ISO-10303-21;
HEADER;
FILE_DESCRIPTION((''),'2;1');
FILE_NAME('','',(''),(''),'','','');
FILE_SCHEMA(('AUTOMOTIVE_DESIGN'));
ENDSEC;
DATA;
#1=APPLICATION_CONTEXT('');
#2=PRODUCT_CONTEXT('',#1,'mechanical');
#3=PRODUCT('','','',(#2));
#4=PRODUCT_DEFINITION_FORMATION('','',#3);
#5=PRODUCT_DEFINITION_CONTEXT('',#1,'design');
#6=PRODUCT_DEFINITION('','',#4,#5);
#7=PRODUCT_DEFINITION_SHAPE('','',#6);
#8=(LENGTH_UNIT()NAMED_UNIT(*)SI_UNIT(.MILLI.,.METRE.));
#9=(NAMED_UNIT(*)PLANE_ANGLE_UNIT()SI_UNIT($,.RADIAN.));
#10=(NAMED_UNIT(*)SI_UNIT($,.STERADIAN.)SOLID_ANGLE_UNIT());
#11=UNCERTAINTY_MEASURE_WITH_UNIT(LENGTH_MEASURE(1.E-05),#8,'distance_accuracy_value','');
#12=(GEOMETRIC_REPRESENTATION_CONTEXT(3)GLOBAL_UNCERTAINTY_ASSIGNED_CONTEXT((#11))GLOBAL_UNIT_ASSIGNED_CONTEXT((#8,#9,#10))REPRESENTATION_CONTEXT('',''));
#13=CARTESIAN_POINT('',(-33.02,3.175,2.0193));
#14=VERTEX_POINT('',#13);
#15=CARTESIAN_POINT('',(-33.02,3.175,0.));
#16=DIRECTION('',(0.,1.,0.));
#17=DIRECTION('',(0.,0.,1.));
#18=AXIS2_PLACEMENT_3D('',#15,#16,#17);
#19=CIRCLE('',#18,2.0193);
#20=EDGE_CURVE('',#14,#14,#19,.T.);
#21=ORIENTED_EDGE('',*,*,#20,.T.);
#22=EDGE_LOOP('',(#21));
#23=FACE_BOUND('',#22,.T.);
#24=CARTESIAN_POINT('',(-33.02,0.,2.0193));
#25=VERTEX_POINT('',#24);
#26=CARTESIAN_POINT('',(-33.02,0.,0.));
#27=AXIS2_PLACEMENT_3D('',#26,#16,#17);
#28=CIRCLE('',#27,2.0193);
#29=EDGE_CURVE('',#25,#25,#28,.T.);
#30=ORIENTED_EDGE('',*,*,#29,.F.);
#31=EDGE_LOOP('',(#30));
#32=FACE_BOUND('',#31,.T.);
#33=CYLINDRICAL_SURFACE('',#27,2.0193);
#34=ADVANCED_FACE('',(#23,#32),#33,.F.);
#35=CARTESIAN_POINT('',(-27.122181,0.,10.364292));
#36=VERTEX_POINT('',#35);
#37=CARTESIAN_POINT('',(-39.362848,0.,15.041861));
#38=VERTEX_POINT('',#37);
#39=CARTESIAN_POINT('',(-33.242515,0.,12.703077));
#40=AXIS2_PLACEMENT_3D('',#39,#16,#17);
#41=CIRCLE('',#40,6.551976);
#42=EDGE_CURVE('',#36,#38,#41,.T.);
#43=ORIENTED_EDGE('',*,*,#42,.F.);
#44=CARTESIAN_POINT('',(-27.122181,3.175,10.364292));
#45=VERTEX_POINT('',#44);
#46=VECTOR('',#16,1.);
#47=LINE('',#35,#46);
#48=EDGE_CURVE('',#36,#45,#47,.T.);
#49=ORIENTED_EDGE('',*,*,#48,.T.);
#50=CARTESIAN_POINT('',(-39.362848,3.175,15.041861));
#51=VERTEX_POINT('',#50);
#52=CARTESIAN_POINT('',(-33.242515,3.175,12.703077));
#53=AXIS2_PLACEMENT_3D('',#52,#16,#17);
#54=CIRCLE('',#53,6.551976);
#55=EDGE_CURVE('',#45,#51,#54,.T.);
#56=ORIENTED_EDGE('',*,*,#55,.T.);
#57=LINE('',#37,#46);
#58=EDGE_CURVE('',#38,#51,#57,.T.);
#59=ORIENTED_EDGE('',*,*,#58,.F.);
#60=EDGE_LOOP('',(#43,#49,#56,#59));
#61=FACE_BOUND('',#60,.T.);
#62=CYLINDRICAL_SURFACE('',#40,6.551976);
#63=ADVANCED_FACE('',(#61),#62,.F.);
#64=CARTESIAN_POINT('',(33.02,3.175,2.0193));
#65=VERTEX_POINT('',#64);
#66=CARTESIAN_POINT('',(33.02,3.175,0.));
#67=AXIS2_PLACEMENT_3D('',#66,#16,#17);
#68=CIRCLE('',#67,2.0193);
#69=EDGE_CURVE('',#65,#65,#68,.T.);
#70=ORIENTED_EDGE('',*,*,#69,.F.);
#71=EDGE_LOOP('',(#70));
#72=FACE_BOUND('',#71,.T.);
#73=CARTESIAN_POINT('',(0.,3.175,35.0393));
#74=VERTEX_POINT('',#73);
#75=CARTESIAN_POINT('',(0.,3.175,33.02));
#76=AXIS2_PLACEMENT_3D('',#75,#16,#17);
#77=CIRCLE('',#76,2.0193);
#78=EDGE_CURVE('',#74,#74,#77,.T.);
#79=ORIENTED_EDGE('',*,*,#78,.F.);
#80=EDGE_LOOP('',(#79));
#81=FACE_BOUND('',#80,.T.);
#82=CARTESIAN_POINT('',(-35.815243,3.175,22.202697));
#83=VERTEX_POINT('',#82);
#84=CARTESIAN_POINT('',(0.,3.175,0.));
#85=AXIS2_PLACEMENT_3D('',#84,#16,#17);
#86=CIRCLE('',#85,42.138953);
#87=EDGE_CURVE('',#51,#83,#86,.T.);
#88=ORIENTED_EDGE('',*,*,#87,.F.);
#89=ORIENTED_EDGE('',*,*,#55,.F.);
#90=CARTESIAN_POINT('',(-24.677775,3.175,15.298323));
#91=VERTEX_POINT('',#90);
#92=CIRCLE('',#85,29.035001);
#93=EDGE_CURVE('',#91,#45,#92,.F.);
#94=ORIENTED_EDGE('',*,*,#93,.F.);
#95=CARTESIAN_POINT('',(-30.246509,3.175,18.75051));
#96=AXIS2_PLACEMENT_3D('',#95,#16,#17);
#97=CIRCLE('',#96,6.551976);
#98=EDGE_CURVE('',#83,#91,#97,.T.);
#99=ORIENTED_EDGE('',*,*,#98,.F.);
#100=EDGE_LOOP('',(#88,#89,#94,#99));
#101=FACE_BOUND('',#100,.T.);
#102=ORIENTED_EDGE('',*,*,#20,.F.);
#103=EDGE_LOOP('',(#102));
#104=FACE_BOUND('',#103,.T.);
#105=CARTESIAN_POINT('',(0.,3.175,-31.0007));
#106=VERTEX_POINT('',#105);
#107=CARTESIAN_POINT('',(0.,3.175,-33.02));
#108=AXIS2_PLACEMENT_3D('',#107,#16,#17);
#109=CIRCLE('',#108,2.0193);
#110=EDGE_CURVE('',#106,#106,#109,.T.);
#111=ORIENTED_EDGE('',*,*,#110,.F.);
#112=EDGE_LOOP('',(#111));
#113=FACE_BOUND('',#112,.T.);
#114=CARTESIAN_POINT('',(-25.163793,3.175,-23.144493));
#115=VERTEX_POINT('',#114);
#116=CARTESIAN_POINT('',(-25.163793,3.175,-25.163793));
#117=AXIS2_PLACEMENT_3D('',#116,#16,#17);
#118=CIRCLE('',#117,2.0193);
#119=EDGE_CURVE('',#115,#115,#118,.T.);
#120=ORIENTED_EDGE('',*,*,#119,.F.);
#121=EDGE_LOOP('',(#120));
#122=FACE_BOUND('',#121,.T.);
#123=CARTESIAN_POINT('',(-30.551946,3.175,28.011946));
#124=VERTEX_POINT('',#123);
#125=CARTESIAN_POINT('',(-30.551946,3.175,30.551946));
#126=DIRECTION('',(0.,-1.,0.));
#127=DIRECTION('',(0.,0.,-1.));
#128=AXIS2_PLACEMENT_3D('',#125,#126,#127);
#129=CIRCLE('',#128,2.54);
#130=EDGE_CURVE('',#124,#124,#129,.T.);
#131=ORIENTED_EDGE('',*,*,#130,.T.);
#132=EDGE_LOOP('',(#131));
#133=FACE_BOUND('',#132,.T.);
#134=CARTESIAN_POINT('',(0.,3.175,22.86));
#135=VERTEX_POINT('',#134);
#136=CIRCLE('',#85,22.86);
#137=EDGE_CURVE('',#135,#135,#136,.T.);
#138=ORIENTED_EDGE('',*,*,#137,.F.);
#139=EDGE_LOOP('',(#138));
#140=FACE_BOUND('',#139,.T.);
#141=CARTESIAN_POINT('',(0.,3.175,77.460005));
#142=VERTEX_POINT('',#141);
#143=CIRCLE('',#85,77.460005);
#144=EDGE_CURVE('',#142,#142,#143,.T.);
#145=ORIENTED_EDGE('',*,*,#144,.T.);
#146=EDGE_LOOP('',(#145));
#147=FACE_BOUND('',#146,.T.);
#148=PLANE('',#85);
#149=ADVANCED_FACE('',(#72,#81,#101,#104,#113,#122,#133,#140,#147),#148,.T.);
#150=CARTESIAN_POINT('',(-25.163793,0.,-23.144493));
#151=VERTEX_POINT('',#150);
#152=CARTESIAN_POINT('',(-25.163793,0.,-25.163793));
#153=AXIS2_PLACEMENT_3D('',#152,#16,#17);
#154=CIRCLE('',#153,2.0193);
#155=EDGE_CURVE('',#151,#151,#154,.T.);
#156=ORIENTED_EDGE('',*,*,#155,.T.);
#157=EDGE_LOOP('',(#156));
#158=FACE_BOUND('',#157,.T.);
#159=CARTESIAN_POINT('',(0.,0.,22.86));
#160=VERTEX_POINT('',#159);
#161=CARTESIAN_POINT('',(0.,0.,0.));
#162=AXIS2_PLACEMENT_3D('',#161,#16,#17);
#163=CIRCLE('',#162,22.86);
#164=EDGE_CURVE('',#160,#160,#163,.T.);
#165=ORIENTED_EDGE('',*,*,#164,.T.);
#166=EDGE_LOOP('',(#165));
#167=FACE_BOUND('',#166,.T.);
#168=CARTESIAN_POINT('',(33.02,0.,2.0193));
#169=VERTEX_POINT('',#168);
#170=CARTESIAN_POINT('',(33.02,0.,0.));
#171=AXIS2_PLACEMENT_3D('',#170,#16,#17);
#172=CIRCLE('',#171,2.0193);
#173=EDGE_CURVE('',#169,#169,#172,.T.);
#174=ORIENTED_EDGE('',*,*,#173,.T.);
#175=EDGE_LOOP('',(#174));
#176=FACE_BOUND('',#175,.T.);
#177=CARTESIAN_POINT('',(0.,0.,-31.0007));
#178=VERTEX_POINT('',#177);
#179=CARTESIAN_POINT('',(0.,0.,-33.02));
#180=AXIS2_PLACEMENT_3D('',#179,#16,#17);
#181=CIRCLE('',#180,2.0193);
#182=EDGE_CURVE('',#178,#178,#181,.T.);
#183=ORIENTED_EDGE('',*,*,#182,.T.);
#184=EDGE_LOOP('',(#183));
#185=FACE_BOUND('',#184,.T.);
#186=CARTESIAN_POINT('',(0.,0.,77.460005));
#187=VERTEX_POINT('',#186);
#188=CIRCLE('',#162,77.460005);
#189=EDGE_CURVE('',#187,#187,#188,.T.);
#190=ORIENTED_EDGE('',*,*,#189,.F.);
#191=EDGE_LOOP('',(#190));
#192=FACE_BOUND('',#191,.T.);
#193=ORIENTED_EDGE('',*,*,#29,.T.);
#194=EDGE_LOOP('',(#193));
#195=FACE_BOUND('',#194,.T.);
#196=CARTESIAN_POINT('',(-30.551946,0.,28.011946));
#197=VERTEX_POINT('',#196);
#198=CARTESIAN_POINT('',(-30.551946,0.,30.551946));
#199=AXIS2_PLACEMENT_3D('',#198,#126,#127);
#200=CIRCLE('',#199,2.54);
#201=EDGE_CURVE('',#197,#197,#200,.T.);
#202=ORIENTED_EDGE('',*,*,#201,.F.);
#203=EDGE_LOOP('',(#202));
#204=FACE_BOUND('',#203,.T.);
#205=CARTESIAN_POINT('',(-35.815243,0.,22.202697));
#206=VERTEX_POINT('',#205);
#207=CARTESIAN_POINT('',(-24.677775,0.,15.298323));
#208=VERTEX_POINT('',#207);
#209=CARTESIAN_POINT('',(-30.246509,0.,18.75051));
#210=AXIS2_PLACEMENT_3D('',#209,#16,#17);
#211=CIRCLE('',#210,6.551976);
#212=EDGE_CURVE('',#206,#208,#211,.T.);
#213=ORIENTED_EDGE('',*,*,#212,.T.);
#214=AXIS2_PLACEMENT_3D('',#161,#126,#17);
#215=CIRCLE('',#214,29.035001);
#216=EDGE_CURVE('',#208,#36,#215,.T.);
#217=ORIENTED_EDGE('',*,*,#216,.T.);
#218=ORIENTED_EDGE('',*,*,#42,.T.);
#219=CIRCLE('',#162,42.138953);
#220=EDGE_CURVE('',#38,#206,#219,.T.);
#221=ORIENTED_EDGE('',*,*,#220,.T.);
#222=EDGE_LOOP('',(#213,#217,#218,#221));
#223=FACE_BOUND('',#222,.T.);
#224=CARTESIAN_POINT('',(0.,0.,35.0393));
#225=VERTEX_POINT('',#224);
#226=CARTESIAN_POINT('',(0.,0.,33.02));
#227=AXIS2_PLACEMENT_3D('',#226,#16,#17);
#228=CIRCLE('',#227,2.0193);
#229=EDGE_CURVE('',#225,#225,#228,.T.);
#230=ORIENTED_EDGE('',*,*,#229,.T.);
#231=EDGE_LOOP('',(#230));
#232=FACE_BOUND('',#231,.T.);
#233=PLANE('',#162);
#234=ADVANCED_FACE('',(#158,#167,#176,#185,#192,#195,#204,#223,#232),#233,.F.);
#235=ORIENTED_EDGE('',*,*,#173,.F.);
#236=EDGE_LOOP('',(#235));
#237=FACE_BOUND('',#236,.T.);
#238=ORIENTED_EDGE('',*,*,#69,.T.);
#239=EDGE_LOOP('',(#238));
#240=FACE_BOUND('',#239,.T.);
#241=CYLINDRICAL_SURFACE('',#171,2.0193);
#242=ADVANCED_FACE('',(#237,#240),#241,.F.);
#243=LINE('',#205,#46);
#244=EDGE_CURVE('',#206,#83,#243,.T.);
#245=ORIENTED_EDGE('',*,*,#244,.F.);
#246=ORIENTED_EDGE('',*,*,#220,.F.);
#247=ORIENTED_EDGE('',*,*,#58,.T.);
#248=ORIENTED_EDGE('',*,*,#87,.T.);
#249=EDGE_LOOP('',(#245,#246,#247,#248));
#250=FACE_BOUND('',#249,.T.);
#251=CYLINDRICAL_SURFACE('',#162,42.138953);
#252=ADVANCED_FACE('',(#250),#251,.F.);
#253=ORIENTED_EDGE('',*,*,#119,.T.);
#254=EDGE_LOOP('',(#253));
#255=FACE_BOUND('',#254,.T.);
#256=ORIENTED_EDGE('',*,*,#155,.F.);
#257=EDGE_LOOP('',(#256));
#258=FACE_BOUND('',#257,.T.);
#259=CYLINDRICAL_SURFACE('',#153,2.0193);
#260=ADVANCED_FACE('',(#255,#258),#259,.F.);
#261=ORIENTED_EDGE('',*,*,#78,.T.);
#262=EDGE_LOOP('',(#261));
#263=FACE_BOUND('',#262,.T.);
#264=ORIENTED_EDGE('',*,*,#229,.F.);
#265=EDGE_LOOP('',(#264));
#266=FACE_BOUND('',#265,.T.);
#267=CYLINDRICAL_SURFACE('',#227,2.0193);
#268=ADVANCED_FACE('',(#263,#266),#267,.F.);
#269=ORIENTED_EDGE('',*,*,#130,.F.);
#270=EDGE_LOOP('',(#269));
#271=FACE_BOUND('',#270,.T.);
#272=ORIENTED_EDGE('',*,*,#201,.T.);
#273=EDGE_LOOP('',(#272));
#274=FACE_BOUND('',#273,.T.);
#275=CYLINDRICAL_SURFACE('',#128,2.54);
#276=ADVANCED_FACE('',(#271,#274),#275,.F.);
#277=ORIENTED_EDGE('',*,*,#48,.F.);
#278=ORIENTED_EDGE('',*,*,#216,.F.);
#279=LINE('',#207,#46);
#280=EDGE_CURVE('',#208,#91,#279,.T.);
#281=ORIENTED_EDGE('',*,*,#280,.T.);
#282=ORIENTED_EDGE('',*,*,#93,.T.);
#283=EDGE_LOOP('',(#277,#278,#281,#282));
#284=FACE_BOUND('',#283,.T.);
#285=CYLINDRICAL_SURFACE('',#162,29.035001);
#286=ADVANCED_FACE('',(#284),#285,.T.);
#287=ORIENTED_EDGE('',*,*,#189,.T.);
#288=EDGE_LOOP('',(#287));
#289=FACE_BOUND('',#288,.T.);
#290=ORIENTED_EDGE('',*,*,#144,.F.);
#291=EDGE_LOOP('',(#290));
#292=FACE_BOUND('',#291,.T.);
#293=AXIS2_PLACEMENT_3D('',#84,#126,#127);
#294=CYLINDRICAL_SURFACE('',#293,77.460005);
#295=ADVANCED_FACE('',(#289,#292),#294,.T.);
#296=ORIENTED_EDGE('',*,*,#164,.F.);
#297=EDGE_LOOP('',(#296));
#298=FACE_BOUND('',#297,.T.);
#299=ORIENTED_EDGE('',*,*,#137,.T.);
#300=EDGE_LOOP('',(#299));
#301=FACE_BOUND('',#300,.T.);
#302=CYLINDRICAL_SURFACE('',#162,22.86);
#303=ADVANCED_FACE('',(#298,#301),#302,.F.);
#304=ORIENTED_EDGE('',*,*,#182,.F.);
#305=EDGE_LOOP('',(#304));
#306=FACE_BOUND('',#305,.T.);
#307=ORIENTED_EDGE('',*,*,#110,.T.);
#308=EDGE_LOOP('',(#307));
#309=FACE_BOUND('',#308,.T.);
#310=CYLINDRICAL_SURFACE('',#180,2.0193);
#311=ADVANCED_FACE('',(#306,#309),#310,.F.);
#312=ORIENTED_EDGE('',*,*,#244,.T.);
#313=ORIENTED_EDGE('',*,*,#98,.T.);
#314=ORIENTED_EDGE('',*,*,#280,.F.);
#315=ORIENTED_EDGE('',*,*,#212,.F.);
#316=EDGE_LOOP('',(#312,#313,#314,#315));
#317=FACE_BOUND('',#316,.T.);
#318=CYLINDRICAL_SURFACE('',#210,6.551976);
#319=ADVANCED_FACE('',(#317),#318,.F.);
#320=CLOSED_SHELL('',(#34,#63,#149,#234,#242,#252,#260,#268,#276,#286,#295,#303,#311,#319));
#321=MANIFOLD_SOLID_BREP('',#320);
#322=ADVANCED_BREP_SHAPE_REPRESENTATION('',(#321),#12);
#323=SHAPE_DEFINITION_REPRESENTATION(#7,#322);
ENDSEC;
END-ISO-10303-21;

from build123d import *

# Parameters (mm, degrees)
SKETCH1_R           = 77.4600051
BOSS_EXTRUDE1_DEPTH = 3.175
SKETCH20_R          = 22.86
SKETCH20_R_2        = 2.0193
CUT_EXTRUDE10_DEPTH = 251.865681086
SKETCH21_R          = 2.0193
CUT_EXTRUDE11_DEPTH = 251.865681086
CUT_EXTRUDE12_DEPTH = 251.865681086
SKETCH23_R          = 2.54
CUT_EXTRUDE13_DEPTH = 3.175


with BuildPart() as part:
    # Sketch1 → Boss-Extrude1 (new body)
    with BuildSketch(Plane(origin=(0, 0, 0), x_dir=(1, 0, 0), z_dir=(0, 1, 0))):
        with Locations(Location((0, 0, 0), (0, 0, 270))):
            Circle(SKETCH1_R)
    extrude(amount=BOSS_EXTRUDE1_DEPTH)

    # Sketch20 → Cut-Extrude10 (cut, through all)
    with BuildSketch(Plane(origin=(-73.768816189, 25.4, -121.080352405), x_dir=(1, 0, 0), z_dir=(0, 1, 0))):
        with Locations(Location((73.768816189, -121.080352405, 0), (0, 0, 270))):
            Circle(SKETCH20_R)
        with Locations(Location((73.768816189, -88.060352405, 0), (0, 0, 270))):
            Circle(SKETCH20_R_2)
        with Locations(Location((106.788816189, -121.080352405, 0), (0, 0, 270))):
            Circle(SKETCH20_R_2)
        with Locations(Location((73.768816189, -154.100352405, 0), (0, 0, 270))):
            Circle(SKETCH20_R_2)
        with Locations(Location((40.748816189, -121.080352405, 0), (0, 0, 270))):
            Circle(SKETCH20_R_2)
    extrude(amount=-CUT_EXTRUDE10_DEPTH, mode=Mode.SUBTRACT)

    # Sketch21 → Cut-Extrude11 (cut, through all)
    with BuildSketch(Plane(origin=(-73.768816189, 25.4, -121.080352405), x_dir=(1, 0, 0), z_dir=(0, 1, 0))):
        with Locations(Location((48.605023435, -95.916559651, 0), (0, 0, 270))):
            Circle(SKETCH21_R)
    extrude(amount=-CUT_EXTRUDE11_DEPTH, mode=Mode.SUBTRACT)

    # Sketch22 → Cut-Extrude12 (cut, through all)
    with BuildSketch(Plane(origin=(-73.768816189, 25.4, -121.080352405), x_dir=(1, 0, 0), z_dir=(0, 1, 0))):
        with BuildLine():
            ThreePointArc((34.405967979, -136.122213123), (36.00963526, -139.786919397), (37.953573181, -143.283049568))
            ThreePointArc((37.953573181, -143.283049568), (46.974494303, -145.399596657), (49.091041391, -136.378675534))
            ThreePointArc((49.091041391, -136.378675534), (47.751609959, -133.969737166), (46.646635186, -131.444644817))
            ThreePointArc((46.646635186, -131.444644817), (38.18751743, -127.663095366), (34.405967979, -136.122213123))
        make_face()
    extrude(amount=-CUT_EXTRUDE12_DEPTH, mode=Mode.SUBTRACT)

    # Sketch23 → Cut-Extrude13 (cut)
    with BuildSketch(Plane(origin=(-73.768816189, 0, -121.080352405), x_dir=(1, 0, 0), z_dir=(0, -1, 0))):
        with Locations(Location((43.216869762, 151.632298832, 0), (0, 0, 270))):
            Circle(SKETCH23_R)
    extrude(amount=-CUT_EXTRUDE13_DEPTH, mode=Mode.SUBTRACT)


solid = part.part
